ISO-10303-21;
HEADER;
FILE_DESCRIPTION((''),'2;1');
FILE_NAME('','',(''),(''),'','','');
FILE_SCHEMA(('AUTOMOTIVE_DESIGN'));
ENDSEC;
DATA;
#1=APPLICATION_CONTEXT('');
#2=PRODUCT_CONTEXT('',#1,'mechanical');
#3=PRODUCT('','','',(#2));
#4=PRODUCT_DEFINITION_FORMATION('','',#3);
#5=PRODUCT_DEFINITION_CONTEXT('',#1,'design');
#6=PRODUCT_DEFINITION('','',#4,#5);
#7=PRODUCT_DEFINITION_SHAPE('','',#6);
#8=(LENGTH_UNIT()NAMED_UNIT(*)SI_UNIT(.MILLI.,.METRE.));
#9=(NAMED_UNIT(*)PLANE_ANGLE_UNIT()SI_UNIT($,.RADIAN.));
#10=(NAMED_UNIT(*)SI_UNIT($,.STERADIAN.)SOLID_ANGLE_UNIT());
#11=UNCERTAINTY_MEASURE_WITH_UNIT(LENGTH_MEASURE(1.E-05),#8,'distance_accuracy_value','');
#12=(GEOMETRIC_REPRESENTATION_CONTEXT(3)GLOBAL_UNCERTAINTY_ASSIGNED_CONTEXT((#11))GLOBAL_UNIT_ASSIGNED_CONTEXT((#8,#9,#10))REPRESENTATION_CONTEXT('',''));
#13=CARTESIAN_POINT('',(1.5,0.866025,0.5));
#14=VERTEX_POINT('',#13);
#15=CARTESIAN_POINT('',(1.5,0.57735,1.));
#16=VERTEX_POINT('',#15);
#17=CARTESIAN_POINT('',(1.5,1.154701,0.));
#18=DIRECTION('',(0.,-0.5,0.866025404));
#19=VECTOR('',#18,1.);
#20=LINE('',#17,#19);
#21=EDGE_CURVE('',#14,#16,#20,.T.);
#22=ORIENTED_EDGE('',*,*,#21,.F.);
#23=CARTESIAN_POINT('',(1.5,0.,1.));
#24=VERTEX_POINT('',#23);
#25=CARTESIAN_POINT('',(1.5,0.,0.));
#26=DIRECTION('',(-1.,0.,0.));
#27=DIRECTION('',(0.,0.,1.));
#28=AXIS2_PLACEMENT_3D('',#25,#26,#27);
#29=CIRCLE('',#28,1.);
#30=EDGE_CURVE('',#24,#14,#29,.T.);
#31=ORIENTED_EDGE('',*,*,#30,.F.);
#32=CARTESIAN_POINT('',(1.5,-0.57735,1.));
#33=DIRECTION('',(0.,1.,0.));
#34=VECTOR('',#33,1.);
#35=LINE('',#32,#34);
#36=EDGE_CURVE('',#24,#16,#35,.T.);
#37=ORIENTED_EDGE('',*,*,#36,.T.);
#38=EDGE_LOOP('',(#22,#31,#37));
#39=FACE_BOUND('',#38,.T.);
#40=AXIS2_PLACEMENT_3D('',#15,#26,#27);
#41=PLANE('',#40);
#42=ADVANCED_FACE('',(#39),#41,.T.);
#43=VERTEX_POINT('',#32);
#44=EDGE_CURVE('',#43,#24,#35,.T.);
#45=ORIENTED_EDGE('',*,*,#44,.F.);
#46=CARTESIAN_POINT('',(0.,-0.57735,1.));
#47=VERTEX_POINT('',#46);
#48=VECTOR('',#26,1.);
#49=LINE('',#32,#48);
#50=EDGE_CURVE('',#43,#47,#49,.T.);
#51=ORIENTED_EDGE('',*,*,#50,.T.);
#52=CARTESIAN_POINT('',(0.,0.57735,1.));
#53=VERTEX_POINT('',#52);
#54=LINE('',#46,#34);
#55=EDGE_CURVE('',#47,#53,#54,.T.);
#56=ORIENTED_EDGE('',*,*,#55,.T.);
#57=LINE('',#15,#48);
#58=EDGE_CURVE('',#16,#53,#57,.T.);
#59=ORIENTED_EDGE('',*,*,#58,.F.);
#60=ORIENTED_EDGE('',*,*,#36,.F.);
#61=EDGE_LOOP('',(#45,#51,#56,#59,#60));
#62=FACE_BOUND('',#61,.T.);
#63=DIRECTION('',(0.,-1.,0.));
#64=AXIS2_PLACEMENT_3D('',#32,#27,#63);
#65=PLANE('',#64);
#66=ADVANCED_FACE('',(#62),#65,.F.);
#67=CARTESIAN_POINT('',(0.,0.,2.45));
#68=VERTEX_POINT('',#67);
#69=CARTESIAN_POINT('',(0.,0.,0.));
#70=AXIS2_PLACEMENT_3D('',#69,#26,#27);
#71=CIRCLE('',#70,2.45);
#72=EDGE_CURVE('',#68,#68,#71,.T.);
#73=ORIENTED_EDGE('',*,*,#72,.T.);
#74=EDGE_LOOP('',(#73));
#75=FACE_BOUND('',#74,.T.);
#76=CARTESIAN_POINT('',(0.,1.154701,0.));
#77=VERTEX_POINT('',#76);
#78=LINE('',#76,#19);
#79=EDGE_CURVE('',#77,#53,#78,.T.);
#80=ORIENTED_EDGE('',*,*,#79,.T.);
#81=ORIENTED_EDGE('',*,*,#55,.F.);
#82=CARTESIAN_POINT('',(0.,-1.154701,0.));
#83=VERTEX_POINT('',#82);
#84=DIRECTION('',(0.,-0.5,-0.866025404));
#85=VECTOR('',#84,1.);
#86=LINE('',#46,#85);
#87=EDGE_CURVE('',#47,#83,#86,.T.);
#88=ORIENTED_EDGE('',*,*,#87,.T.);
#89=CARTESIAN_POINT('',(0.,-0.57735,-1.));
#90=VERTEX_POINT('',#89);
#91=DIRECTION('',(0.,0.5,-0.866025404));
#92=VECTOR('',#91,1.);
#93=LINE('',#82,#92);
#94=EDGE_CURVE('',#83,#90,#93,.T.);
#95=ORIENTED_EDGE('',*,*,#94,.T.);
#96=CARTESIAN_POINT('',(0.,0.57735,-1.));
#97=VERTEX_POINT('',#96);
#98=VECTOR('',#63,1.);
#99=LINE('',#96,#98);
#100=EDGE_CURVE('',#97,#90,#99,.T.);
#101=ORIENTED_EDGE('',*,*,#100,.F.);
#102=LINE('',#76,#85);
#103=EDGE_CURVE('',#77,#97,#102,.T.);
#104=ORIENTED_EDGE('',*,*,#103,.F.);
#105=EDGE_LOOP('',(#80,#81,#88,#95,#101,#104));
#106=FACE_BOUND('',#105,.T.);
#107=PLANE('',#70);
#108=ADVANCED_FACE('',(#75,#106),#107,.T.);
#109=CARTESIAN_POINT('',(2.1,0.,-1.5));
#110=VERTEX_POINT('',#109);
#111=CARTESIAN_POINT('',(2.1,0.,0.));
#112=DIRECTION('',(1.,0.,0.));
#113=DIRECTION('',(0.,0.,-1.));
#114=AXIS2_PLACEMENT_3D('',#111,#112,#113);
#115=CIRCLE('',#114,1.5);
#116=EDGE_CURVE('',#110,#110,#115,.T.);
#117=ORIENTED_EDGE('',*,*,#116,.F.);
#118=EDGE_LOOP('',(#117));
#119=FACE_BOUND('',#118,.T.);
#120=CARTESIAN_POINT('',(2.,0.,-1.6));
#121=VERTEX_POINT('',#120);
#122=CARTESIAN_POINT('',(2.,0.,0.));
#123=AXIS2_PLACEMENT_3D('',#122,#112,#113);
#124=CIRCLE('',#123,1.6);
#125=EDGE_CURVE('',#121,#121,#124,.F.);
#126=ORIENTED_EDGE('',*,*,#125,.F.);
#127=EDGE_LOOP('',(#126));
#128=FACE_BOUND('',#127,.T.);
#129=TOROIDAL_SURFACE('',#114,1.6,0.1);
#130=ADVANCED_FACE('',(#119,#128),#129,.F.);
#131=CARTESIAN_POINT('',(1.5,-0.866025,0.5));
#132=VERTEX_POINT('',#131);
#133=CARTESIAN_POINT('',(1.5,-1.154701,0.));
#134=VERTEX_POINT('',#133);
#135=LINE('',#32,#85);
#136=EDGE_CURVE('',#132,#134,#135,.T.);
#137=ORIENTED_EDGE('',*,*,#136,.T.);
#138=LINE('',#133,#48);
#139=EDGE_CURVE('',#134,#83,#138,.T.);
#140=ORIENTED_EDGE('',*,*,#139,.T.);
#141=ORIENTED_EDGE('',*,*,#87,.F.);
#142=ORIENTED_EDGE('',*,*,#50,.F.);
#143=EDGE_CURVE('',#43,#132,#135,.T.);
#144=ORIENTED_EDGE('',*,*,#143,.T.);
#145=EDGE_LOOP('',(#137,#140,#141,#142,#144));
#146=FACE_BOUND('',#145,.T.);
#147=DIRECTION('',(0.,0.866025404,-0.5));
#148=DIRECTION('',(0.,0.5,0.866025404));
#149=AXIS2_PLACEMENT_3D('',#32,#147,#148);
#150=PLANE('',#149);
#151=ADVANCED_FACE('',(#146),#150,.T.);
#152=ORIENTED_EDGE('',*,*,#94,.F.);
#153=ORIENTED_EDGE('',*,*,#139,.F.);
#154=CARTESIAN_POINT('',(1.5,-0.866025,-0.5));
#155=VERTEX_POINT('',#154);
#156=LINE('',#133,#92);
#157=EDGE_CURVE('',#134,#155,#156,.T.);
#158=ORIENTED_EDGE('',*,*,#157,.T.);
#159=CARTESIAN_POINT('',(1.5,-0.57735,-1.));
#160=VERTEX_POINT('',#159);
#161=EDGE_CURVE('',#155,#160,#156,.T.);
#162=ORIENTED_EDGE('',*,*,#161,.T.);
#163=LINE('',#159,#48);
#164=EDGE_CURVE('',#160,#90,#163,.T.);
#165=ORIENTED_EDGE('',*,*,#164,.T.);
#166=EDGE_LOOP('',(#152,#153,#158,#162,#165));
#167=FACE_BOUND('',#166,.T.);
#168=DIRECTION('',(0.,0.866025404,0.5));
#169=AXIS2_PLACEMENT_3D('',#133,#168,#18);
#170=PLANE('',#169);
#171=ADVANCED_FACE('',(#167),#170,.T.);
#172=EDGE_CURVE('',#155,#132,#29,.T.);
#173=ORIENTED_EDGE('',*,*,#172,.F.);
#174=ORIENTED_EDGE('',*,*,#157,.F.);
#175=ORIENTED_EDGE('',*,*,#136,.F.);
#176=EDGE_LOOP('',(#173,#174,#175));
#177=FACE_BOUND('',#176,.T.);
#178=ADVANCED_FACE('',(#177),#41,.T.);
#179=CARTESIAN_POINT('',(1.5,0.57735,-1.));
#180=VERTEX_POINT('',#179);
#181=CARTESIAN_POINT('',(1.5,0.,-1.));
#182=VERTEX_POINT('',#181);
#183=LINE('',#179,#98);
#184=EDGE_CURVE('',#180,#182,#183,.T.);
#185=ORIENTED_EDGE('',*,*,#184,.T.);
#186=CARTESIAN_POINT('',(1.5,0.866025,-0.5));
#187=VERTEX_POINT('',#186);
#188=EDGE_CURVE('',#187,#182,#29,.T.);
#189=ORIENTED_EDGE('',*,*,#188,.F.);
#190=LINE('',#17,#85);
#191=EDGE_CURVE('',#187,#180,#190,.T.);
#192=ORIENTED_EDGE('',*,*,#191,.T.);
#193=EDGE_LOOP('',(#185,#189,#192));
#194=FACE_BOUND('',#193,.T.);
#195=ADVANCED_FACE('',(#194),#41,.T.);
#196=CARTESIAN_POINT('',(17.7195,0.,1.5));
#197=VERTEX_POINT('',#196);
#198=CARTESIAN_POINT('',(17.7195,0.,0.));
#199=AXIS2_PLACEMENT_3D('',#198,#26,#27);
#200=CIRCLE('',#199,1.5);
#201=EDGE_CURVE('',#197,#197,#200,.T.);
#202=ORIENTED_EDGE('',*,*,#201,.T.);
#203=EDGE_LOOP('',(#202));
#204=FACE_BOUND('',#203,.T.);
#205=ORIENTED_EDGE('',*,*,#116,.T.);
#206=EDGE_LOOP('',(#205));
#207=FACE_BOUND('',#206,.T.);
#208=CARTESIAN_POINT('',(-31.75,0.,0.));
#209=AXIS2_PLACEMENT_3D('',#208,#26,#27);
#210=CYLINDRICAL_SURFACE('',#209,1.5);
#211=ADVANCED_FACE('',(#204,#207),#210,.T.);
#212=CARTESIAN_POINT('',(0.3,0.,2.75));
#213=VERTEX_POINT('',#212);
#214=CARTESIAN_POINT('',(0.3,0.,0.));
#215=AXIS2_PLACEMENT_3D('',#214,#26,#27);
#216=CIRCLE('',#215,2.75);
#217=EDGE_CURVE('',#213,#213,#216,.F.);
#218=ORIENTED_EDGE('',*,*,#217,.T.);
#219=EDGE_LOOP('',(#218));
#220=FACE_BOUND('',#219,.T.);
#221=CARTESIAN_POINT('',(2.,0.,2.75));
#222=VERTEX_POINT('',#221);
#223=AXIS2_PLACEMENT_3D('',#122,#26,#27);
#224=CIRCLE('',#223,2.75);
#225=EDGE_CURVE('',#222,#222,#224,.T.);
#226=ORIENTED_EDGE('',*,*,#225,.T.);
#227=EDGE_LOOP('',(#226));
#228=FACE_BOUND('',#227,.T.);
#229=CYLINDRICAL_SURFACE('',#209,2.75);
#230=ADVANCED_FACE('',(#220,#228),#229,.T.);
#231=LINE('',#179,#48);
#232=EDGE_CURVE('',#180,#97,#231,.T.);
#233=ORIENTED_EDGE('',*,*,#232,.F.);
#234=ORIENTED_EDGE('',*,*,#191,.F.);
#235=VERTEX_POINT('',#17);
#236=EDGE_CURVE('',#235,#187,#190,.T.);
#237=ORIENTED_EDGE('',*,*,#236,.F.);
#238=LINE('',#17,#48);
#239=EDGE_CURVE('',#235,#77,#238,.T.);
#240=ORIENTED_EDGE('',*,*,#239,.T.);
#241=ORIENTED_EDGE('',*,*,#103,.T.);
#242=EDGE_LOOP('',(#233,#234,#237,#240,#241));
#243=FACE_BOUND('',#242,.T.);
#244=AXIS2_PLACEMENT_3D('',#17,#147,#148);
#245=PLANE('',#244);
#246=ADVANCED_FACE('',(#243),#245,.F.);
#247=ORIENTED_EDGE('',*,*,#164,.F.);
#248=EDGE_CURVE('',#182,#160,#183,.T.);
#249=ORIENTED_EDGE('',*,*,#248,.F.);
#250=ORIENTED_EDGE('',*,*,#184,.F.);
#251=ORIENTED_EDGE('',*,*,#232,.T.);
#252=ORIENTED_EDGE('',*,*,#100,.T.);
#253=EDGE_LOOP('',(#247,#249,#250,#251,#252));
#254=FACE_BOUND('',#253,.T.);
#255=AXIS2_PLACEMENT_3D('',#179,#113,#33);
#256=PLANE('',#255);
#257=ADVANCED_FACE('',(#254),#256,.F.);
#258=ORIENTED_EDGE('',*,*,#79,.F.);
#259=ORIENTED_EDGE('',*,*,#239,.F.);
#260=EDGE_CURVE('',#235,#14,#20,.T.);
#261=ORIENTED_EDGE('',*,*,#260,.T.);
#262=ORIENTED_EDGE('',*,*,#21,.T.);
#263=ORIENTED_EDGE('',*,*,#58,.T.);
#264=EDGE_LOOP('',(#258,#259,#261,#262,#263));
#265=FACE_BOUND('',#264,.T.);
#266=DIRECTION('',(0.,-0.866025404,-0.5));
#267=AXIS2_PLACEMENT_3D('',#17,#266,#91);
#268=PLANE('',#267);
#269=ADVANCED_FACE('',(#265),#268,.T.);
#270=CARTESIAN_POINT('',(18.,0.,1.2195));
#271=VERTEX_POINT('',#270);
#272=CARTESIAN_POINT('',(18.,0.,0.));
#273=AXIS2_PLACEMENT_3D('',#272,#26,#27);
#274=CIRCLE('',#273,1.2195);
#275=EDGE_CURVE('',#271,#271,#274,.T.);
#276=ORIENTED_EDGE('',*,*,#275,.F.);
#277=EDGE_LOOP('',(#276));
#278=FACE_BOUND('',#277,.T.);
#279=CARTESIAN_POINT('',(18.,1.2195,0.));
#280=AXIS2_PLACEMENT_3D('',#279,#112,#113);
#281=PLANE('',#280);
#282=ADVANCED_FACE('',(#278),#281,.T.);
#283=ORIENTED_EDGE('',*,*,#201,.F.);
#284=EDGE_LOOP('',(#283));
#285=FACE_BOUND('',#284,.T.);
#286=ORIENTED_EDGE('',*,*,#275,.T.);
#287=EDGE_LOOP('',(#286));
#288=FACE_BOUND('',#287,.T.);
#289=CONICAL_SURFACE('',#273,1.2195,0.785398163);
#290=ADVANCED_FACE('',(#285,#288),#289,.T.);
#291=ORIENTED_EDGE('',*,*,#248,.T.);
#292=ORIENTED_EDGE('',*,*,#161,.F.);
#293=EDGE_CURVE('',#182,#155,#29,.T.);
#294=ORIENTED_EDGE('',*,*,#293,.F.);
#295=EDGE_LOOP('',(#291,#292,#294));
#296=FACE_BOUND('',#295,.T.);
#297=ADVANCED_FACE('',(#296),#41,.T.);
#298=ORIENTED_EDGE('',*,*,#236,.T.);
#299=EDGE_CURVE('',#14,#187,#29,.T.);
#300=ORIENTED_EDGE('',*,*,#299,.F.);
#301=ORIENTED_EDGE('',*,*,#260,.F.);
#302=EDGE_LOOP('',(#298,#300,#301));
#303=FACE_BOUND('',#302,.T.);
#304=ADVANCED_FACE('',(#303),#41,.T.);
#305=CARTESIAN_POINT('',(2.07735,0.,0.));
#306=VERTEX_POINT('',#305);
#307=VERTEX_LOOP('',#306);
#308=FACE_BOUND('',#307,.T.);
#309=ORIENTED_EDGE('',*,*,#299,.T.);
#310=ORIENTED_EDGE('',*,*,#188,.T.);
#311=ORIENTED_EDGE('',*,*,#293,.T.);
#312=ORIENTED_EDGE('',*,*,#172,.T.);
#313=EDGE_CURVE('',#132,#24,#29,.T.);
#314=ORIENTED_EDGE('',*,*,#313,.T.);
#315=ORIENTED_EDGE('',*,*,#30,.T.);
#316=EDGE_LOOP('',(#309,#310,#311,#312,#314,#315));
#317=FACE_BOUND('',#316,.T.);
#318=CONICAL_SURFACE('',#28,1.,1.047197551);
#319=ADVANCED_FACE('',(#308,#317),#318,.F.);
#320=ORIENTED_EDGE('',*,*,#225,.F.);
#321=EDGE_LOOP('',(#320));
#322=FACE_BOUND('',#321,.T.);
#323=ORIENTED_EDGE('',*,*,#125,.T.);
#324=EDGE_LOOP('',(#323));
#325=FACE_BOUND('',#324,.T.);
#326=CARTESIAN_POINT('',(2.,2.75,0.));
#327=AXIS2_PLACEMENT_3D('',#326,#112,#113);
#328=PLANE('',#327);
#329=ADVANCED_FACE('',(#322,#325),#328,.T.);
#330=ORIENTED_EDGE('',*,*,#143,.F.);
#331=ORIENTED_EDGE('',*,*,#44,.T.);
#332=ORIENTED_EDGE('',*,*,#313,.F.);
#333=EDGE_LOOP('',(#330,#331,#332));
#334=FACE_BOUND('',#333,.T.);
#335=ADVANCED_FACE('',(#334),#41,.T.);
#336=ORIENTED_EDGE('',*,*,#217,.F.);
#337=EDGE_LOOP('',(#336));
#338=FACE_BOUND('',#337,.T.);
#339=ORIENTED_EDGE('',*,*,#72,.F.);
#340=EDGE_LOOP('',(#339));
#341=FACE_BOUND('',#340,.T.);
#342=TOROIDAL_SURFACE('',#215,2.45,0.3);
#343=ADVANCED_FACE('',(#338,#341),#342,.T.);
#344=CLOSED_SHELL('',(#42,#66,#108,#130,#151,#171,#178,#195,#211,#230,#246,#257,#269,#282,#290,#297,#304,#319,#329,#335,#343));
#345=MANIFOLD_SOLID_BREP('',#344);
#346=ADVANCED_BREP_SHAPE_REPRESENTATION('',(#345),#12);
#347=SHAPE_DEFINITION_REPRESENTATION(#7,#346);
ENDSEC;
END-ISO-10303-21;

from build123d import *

# Parameters (mm, degrees)
FILLET1_R   = 0.1
FILLET2_R   = 0.3
HEX_2_DEPTH = 1.5


with BuildPart() as part:
    # BodySke → Base-Revolve (revolve)
    with BuildSketch(Plane.XY, mode=Mode.PRIVATE) as base_revolve_sk:
        Polygon((0, 0), (0, 2.75), (2, 2.75), (2, 1.5), (17.7195, 1.5), (18, 1.2195), (18, 0), align=None)
    revolve(base_revolve_sk.sketch.rotate(Axis((-31.75, 0, 0), (1, 0, 0)), 90), axis=Axis((-31.75, 0, 0), (1, 0, 0)))

    # Fillet1
    fillet1_edges = [part.edges().sort_by_distance(p)[0] for p in [
        (2, 0, -1.5),
    ]]
    fillet(fillet1_edges, radius=FILLET1_R)

    # Fillet2
    fillet2_edges = [part.edges().sort_by_distance(p)[0] for p in [
        (0, 0, -2.75),
    ]]
    fillet(fillet2_edges, radius=FILLET2_R)

    # Sketch2 → Hex-PreBroach (revolve, cut)
    with BuildSketch(Plane.XY, mode=Mode.PRIVATE) as hex_prebroach_sk:
        Polygon((0, 1), (1.5, 1), (2.077350269, 0), (0, 0), align=None)
    revolve(hex_prebroach_sk.sketch.rotate(Axis((0, 0, 0), (1, 0, 0)), 90), axis=Axis((0, 0, 0), (1, 0, 0)), mode=Mode.SUBTRACT)

    # Sketch3 → Hex 2 (cut)
    with BuildSketch(Plane(origin=(0, 0, 0), x_dir=(0, 0.500000000000001, 0.866025403784438), z_dir=(-1, 0, 0))):
        Polygon((0.577350269, 1), (-0.577350269, 1), (-1.154700538, 0), (-0.577350269, -1), (0.577350269, -1), (1.154700538, 0), align=None)
    extrude(amount=-HEX_2_DEPTH, mode=Mode.SUBTRACT)


solid = part.part
